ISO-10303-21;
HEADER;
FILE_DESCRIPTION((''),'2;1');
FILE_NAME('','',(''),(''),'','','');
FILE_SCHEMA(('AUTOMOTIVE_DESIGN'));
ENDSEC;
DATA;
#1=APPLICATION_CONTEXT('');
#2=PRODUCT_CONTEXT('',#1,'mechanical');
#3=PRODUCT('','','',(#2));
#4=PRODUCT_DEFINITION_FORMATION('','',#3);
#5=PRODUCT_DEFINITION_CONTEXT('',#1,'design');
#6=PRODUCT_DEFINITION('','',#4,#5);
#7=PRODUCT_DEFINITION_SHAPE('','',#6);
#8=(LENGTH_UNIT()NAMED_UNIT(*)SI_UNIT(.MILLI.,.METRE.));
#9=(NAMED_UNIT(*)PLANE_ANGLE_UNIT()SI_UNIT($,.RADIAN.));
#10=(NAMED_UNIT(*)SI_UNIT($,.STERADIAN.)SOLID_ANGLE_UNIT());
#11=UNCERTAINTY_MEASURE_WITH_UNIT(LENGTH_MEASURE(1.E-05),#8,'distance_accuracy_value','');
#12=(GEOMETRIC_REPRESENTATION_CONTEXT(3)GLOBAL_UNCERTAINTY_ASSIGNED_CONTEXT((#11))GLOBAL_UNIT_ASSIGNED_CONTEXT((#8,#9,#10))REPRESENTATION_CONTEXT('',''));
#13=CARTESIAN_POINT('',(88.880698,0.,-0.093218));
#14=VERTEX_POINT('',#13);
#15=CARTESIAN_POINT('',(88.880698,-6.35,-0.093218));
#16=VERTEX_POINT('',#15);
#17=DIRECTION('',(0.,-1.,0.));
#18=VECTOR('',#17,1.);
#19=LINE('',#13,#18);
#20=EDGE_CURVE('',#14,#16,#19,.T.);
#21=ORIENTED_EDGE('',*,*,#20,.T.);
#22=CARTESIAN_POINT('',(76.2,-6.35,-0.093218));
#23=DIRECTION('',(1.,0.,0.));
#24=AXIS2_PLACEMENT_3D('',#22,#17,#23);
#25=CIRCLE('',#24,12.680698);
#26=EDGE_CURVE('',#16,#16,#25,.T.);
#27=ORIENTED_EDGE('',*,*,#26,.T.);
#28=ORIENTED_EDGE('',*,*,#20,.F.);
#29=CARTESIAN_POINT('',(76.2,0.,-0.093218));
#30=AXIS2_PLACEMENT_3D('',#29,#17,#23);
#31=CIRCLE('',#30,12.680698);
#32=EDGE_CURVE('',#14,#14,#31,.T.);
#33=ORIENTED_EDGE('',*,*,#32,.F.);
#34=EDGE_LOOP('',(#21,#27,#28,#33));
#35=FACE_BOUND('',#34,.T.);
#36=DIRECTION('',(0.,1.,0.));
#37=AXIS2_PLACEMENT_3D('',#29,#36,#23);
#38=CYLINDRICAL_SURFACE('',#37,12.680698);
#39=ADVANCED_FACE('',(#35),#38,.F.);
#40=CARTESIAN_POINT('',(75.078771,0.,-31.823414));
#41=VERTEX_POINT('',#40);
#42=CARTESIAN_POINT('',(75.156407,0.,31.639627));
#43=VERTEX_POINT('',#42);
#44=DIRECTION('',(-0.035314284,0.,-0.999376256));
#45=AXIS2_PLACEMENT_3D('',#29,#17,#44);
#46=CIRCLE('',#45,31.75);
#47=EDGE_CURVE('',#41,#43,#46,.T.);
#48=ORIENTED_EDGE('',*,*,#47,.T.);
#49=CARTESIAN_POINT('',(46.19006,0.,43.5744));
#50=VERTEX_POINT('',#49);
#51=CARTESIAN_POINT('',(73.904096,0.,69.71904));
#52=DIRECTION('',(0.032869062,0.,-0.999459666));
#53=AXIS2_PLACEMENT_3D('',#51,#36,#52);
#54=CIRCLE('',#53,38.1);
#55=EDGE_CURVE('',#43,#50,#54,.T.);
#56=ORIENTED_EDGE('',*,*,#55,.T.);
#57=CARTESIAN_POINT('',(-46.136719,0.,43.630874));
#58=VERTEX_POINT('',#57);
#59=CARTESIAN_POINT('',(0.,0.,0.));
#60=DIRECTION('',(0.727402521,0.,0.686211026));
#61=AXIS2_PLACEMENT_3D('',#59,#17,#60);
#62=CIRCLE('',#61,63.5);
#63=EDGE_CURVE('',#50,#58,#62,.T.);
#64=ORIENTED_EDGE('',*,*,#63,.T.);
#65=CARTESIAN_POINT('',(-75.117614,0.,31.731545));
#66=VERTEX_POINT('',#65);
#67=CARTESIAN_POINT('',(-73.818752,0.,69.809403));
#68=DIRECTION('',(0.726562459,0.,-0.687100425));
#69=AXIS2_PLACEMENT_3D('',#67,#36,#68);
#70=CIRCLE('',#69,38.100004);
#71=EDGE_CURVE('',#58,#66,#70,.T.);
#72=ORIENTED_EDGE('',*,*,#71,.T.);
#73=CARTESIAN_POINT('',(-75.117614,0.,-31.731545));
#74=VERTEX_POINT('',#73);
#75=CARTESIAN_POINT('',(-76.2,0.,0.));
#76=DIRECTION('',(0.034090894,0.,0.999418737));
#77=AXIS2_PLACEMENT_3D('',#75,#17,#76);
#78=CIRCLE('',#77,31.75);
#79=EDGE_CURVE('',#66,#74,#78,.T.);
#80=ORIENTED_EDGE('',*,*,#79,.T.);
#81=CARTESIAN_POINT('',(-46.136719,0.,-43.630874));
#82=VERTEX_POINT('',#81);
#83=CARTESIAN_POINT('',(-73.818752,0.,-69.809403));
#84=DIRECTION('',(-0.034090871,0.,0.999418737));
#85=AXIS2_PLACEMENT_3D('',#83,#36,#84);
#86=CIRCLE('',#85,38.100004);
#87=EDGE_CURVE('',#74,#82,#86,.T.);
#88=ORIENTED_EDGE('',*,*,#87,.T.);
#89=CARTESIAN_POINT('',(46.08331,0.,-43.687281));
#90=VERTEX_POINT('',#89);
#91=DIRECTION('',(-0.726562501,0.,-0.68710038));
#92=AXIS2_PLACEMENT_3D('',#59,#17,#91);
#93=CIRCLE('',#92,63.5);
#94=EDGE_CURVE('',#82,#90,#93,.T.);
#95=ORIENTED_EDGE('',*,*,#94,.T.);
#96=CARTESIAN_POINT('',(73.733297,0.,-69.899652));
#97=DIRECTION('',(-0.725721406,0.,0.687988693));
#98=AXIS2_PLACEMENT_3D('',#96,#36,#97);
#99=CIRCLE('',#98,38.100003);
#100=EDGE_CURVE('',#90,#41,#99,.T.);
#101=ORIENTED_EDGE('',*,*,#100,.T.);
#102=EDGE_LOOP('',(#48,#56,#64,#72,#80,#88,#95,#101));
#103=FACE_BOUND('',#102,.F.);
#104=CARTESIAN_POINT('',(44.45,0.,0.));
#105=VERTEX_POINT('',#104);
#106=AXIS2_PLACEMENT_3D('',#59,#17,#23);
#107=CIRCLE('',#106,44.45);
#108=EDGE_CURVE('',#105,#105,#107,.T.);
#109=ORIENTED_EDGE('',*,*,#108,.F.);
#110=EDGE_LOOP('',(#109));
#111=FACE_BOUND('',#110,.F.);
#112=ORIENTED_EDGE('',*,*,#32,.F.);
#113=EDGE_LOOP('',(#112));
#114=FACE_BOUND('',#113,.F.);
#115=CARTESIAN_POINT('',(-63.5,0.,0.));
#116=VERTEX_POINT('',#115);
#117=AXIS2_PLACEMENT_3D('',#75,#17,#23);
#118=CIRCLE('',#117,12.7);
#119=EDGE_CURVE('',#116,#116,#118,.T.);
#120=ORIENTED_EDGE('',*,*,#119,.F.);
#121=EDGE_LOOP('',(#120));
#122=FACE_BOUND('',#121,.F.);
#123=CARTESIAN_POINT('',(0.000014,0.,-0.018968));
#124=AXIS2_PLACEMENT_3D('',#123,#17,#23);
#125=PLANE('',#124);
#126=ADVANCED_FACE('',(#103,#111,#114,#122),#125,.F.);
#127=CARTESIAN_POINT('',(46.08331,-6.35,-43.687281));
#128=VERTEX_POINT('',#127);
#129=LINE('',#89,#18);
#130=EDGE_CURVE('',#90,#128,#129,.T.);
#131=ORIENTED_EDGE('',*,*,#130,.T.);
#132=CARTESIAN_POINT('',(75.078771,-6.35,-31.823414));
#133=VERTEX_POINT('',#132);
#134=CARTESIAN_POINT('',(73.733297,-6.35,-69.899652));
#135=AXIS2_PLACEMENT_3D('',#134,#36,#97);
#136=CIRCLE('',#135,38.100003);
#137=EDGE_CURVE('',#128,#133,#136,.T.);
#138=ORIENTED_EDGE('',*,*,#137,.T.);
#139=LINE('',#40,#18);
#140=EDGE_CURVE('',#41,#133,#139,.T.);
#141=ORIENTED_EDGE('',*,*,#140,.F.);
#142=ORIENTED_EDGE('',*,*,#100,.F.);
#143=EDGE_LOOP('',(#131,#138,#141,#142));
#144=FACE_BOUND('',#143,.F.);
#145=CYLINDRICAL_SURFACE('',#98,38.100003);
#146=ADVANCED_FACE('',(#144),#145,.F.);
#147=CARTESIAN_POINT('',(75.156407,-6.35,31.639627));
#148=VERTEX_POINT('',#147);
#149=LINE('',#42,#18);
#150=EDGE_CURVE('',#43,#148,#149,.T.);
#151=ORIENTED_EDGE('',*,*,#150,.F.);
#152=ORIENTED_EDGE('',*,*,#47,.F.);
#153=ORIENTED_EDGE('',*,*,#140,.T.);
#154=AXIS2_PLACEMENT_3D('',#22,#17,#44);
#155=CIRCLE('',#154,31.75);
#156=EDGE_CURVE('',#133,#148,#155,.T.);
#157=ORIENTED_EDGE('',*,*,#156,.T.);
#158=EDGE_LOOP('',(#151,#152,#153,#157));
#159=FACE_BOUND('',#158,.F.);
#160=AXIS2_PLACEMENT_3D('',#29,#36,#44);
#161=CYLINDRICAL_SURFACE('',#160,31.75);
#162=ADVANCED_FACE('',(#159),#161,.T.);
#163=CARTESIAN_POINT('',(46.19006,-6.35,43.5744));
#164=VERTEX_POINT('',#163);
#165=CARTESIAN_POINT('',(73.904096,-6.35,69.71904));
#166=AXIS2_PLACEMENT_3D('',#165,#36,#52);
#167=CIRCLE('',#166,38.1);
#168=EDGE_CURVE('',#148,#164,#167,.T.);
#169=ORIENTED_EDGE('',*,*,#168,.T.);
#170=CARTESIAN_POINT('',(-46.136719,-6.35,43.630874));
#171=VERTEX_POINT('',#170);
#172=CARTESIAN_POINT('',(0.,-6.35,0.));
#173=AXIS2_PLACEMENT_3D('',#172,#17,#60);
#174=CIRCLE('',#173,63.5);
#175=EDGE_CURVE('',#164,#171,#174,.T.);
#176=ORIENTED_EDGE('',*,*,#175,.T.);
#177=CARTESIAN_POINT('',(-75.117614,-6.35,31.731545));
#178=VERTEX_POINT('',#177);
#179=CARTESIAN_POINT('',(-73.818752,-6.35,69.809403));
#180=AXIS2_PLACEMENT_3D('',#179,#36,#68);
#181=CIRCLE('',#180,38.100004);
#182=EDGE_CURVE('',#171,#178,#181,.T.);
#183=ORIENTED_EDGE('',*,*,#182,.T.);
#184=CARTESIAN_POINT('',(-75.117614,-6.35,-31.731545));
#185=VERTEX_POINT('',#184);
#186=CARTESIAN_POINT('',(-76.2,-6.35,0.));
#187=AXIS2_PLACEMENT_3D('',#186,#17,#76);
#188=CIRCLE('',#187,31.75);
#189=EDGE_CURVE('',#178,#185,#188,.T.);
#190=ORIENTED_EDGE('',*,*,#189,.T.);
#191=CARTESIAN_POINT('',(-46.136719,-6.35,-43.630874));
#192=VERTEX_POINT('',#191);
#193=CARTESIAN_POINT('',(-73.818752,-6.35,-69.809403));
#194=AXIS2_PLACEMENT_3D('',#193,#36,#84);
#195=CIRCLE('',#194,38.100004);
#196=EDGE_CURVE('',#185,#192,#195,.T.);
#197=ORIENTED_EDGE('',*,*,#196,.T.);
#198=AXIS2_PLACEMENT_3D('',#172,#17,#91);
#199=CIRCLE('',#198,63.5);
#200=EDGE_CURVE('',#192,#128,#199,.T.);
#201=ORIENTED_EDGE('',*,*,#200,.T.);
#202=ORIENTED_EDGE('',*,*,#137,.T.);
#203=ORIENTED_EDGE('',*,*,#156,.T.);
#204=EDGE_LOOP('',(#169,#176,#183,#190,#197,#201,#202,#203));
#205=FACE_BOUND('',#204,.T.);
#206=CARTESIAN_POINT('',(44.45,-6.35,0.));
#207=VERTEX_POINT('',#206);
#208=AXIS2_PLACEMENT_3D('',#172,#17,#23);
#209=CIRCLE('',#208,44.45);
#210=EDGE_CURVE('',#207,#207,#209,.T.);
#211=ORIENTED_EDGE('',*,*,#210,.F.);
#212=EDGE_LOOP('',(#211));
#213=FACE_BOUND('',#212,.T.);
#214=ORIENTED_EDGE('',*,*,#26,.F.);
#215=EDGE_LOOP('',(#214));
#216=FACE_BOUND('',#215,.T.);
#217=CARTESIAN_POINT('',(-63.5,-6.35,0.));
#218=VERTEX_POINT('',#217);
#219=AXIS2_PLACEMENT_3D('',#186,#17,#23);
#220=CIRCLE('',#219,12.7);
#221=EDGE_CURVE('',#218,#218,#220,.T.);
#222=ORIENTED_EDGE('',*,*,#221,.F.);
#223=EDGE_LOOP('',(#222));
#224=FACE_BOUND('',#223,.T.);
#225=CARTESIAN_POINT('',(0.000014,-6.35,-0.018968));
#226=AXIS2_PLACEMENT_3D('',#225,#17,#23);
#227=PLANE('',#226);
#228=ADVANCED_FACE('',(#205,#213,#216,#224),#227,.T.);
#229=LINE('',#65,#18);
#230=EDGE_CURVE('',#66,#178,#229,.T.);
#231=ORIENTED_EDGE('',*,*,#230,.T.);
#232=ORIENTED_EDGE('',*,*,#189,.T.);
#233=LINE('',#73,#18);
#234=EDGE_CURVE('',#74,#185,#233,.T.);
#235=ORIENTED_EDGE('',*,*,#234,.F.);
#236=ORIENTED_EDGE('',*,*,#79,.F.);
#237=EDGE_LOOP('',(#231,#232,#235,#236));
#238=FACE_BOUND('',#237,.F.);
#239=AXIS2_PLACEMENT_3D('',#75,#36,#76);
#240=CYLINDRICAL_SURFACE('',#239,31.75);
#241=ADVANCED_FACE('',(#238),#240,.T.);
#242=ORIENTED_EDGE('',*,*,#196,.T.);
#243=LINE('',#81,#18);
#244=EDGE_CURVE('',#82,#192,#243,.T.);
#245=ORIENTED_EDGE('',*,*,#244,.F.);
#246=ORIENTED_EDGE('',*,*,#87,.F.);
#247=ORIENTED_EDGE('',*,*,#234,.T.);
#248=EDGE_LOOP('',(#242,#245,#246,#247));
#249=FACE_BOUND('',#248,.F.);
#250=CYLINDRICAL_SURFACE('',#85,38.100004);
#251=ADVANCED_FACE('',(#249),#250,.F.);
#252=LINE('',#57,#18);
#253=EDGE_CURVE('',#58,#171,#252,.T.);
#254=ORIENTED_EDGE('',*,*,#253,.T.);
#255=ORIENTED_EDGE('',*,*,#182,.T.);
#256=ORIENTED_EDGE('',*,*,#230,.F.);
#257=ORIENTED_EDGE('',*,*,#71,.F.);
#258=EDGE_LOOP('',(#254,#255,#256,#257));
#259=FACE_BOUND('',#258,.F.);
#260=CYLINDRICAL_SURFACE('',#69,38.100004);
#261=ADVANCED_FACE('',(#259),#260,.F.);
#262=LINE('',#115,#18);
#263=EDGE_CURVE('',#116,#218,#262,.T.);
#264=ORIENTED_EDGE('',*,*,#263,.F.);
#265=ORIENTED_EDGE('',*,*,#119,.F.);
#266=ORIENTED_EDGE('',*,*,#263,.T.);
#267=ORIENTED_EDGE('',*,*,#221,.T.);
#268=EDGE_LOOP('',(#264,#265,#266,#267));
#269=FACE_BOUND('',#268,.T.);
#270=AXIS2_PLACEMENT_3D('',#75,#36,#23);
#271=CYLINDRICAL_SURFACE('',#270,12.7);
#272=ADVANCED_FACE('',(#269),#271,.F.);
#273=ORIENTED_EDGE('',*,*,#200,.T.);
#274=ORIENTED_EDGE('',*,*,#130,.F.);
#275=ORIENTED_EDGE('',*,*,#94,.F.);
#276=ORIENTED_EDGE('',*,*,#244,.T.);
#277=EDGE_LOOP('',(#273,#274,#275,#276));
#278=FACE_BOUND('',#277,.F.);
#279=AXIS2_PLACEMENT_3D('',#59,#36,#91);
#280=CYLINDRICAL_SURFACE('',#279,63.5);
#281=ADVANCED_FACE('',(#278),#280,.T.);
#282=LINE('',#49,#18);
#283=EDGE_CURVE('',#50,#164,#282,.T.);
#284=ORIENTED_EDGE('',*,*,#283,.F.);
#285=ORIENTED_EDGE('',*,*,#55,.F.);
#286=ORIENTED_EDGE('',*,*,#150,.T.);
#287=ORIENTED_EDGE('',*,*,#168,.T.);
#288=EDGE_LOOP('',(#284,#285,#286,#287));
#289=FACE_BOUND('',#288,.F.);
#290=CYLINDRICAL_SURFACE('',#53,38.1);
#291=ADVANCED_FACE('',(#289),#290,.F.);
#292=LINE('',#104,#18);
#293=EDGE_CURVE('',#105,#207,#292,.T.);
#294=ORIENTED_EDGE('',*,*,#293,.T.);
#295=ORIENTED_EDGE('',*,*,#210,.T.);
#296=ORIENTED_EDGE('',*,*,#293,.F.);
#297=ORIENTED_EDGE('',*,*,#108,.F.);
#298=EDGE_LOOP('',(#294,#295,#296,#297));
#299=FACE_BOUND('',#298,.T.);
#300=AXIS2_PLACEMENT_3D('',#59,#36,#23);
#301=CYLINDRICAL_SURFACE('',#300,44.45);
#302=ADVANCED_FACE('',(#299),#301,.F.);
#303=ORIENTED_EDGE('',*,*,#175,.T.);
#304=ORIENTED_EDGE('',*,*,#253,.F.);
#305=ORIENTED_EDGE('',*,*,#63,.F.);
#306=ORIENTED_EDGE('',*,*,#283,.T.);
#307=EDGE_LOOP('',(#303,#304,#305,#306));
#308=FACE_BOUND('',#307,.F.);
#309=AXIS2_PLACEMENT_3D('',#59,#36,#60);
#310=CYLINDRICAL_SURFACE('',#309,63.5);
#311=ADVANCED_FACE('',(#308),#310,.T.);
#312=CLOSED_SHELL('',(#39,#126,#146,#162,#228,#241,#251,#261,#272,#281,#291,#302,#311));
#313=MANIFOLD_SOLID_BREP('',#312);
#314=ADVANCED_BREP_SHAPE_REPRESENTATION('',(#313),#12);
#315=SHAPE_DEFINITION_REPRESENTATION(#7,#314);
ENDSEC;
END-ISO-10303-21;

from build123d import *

# Parameters (mm, degrees)
F0_R     = 12.680698
F0_R_2   = 12.7
F0_R_3   = 44.45
F1_DEPTH = 6.35


with BuildPart() as f1:
    # F0 (on Front) → F1 (new body)
    with BuildSketch(Plane.XZ):
        with BuildLine():
            ThreePointArc((-46.136719, 43.630874), (-59.347524, 34.564632), (-75.117614, 31.731545))
            ThreePointArc((-75.117614, 31.731545), (-107.95, 0), (-75.117614, -31.731545))
            ThreePointArc((-75.117614, -31.731545), (-59.347524, -34.564632), (-46.136719, -43.630874))
            ThreePointArc((-46.136719, -43.630874), (-0.03884, -63.499988), (46.08331, -43.687281))
            ThreePointArc((46.08331, -43.687281), (59.305211, -34.6372), (75.078771, -31.823414))
            ThreePointArc((75.078771, -31.823414), (107.949976, -0.132058), (75.156407, 31.639627))
            ThreePointArc((75.156407, 31.639627), (59.389778, 34.491997), (46.19006, 43.5744))
            ThreePointArc((46.19006, 43.5744), (0.038842, 63.499988), (-46.136719, 43.630874))
        make_face()
        with Locations((76.2, -0.093218)):
            Circle(F0_R, mode=Mode.SUBTRACT)
        with Locations((-76.2, 0)):
            Circle(F0_R_2, mode=Mode.SUBTRACT)
        Circle(F0_R_3, mode=Mode.SUBTRACT)
    extrude(amount=F1_DEPTH)


solid = f1.part
